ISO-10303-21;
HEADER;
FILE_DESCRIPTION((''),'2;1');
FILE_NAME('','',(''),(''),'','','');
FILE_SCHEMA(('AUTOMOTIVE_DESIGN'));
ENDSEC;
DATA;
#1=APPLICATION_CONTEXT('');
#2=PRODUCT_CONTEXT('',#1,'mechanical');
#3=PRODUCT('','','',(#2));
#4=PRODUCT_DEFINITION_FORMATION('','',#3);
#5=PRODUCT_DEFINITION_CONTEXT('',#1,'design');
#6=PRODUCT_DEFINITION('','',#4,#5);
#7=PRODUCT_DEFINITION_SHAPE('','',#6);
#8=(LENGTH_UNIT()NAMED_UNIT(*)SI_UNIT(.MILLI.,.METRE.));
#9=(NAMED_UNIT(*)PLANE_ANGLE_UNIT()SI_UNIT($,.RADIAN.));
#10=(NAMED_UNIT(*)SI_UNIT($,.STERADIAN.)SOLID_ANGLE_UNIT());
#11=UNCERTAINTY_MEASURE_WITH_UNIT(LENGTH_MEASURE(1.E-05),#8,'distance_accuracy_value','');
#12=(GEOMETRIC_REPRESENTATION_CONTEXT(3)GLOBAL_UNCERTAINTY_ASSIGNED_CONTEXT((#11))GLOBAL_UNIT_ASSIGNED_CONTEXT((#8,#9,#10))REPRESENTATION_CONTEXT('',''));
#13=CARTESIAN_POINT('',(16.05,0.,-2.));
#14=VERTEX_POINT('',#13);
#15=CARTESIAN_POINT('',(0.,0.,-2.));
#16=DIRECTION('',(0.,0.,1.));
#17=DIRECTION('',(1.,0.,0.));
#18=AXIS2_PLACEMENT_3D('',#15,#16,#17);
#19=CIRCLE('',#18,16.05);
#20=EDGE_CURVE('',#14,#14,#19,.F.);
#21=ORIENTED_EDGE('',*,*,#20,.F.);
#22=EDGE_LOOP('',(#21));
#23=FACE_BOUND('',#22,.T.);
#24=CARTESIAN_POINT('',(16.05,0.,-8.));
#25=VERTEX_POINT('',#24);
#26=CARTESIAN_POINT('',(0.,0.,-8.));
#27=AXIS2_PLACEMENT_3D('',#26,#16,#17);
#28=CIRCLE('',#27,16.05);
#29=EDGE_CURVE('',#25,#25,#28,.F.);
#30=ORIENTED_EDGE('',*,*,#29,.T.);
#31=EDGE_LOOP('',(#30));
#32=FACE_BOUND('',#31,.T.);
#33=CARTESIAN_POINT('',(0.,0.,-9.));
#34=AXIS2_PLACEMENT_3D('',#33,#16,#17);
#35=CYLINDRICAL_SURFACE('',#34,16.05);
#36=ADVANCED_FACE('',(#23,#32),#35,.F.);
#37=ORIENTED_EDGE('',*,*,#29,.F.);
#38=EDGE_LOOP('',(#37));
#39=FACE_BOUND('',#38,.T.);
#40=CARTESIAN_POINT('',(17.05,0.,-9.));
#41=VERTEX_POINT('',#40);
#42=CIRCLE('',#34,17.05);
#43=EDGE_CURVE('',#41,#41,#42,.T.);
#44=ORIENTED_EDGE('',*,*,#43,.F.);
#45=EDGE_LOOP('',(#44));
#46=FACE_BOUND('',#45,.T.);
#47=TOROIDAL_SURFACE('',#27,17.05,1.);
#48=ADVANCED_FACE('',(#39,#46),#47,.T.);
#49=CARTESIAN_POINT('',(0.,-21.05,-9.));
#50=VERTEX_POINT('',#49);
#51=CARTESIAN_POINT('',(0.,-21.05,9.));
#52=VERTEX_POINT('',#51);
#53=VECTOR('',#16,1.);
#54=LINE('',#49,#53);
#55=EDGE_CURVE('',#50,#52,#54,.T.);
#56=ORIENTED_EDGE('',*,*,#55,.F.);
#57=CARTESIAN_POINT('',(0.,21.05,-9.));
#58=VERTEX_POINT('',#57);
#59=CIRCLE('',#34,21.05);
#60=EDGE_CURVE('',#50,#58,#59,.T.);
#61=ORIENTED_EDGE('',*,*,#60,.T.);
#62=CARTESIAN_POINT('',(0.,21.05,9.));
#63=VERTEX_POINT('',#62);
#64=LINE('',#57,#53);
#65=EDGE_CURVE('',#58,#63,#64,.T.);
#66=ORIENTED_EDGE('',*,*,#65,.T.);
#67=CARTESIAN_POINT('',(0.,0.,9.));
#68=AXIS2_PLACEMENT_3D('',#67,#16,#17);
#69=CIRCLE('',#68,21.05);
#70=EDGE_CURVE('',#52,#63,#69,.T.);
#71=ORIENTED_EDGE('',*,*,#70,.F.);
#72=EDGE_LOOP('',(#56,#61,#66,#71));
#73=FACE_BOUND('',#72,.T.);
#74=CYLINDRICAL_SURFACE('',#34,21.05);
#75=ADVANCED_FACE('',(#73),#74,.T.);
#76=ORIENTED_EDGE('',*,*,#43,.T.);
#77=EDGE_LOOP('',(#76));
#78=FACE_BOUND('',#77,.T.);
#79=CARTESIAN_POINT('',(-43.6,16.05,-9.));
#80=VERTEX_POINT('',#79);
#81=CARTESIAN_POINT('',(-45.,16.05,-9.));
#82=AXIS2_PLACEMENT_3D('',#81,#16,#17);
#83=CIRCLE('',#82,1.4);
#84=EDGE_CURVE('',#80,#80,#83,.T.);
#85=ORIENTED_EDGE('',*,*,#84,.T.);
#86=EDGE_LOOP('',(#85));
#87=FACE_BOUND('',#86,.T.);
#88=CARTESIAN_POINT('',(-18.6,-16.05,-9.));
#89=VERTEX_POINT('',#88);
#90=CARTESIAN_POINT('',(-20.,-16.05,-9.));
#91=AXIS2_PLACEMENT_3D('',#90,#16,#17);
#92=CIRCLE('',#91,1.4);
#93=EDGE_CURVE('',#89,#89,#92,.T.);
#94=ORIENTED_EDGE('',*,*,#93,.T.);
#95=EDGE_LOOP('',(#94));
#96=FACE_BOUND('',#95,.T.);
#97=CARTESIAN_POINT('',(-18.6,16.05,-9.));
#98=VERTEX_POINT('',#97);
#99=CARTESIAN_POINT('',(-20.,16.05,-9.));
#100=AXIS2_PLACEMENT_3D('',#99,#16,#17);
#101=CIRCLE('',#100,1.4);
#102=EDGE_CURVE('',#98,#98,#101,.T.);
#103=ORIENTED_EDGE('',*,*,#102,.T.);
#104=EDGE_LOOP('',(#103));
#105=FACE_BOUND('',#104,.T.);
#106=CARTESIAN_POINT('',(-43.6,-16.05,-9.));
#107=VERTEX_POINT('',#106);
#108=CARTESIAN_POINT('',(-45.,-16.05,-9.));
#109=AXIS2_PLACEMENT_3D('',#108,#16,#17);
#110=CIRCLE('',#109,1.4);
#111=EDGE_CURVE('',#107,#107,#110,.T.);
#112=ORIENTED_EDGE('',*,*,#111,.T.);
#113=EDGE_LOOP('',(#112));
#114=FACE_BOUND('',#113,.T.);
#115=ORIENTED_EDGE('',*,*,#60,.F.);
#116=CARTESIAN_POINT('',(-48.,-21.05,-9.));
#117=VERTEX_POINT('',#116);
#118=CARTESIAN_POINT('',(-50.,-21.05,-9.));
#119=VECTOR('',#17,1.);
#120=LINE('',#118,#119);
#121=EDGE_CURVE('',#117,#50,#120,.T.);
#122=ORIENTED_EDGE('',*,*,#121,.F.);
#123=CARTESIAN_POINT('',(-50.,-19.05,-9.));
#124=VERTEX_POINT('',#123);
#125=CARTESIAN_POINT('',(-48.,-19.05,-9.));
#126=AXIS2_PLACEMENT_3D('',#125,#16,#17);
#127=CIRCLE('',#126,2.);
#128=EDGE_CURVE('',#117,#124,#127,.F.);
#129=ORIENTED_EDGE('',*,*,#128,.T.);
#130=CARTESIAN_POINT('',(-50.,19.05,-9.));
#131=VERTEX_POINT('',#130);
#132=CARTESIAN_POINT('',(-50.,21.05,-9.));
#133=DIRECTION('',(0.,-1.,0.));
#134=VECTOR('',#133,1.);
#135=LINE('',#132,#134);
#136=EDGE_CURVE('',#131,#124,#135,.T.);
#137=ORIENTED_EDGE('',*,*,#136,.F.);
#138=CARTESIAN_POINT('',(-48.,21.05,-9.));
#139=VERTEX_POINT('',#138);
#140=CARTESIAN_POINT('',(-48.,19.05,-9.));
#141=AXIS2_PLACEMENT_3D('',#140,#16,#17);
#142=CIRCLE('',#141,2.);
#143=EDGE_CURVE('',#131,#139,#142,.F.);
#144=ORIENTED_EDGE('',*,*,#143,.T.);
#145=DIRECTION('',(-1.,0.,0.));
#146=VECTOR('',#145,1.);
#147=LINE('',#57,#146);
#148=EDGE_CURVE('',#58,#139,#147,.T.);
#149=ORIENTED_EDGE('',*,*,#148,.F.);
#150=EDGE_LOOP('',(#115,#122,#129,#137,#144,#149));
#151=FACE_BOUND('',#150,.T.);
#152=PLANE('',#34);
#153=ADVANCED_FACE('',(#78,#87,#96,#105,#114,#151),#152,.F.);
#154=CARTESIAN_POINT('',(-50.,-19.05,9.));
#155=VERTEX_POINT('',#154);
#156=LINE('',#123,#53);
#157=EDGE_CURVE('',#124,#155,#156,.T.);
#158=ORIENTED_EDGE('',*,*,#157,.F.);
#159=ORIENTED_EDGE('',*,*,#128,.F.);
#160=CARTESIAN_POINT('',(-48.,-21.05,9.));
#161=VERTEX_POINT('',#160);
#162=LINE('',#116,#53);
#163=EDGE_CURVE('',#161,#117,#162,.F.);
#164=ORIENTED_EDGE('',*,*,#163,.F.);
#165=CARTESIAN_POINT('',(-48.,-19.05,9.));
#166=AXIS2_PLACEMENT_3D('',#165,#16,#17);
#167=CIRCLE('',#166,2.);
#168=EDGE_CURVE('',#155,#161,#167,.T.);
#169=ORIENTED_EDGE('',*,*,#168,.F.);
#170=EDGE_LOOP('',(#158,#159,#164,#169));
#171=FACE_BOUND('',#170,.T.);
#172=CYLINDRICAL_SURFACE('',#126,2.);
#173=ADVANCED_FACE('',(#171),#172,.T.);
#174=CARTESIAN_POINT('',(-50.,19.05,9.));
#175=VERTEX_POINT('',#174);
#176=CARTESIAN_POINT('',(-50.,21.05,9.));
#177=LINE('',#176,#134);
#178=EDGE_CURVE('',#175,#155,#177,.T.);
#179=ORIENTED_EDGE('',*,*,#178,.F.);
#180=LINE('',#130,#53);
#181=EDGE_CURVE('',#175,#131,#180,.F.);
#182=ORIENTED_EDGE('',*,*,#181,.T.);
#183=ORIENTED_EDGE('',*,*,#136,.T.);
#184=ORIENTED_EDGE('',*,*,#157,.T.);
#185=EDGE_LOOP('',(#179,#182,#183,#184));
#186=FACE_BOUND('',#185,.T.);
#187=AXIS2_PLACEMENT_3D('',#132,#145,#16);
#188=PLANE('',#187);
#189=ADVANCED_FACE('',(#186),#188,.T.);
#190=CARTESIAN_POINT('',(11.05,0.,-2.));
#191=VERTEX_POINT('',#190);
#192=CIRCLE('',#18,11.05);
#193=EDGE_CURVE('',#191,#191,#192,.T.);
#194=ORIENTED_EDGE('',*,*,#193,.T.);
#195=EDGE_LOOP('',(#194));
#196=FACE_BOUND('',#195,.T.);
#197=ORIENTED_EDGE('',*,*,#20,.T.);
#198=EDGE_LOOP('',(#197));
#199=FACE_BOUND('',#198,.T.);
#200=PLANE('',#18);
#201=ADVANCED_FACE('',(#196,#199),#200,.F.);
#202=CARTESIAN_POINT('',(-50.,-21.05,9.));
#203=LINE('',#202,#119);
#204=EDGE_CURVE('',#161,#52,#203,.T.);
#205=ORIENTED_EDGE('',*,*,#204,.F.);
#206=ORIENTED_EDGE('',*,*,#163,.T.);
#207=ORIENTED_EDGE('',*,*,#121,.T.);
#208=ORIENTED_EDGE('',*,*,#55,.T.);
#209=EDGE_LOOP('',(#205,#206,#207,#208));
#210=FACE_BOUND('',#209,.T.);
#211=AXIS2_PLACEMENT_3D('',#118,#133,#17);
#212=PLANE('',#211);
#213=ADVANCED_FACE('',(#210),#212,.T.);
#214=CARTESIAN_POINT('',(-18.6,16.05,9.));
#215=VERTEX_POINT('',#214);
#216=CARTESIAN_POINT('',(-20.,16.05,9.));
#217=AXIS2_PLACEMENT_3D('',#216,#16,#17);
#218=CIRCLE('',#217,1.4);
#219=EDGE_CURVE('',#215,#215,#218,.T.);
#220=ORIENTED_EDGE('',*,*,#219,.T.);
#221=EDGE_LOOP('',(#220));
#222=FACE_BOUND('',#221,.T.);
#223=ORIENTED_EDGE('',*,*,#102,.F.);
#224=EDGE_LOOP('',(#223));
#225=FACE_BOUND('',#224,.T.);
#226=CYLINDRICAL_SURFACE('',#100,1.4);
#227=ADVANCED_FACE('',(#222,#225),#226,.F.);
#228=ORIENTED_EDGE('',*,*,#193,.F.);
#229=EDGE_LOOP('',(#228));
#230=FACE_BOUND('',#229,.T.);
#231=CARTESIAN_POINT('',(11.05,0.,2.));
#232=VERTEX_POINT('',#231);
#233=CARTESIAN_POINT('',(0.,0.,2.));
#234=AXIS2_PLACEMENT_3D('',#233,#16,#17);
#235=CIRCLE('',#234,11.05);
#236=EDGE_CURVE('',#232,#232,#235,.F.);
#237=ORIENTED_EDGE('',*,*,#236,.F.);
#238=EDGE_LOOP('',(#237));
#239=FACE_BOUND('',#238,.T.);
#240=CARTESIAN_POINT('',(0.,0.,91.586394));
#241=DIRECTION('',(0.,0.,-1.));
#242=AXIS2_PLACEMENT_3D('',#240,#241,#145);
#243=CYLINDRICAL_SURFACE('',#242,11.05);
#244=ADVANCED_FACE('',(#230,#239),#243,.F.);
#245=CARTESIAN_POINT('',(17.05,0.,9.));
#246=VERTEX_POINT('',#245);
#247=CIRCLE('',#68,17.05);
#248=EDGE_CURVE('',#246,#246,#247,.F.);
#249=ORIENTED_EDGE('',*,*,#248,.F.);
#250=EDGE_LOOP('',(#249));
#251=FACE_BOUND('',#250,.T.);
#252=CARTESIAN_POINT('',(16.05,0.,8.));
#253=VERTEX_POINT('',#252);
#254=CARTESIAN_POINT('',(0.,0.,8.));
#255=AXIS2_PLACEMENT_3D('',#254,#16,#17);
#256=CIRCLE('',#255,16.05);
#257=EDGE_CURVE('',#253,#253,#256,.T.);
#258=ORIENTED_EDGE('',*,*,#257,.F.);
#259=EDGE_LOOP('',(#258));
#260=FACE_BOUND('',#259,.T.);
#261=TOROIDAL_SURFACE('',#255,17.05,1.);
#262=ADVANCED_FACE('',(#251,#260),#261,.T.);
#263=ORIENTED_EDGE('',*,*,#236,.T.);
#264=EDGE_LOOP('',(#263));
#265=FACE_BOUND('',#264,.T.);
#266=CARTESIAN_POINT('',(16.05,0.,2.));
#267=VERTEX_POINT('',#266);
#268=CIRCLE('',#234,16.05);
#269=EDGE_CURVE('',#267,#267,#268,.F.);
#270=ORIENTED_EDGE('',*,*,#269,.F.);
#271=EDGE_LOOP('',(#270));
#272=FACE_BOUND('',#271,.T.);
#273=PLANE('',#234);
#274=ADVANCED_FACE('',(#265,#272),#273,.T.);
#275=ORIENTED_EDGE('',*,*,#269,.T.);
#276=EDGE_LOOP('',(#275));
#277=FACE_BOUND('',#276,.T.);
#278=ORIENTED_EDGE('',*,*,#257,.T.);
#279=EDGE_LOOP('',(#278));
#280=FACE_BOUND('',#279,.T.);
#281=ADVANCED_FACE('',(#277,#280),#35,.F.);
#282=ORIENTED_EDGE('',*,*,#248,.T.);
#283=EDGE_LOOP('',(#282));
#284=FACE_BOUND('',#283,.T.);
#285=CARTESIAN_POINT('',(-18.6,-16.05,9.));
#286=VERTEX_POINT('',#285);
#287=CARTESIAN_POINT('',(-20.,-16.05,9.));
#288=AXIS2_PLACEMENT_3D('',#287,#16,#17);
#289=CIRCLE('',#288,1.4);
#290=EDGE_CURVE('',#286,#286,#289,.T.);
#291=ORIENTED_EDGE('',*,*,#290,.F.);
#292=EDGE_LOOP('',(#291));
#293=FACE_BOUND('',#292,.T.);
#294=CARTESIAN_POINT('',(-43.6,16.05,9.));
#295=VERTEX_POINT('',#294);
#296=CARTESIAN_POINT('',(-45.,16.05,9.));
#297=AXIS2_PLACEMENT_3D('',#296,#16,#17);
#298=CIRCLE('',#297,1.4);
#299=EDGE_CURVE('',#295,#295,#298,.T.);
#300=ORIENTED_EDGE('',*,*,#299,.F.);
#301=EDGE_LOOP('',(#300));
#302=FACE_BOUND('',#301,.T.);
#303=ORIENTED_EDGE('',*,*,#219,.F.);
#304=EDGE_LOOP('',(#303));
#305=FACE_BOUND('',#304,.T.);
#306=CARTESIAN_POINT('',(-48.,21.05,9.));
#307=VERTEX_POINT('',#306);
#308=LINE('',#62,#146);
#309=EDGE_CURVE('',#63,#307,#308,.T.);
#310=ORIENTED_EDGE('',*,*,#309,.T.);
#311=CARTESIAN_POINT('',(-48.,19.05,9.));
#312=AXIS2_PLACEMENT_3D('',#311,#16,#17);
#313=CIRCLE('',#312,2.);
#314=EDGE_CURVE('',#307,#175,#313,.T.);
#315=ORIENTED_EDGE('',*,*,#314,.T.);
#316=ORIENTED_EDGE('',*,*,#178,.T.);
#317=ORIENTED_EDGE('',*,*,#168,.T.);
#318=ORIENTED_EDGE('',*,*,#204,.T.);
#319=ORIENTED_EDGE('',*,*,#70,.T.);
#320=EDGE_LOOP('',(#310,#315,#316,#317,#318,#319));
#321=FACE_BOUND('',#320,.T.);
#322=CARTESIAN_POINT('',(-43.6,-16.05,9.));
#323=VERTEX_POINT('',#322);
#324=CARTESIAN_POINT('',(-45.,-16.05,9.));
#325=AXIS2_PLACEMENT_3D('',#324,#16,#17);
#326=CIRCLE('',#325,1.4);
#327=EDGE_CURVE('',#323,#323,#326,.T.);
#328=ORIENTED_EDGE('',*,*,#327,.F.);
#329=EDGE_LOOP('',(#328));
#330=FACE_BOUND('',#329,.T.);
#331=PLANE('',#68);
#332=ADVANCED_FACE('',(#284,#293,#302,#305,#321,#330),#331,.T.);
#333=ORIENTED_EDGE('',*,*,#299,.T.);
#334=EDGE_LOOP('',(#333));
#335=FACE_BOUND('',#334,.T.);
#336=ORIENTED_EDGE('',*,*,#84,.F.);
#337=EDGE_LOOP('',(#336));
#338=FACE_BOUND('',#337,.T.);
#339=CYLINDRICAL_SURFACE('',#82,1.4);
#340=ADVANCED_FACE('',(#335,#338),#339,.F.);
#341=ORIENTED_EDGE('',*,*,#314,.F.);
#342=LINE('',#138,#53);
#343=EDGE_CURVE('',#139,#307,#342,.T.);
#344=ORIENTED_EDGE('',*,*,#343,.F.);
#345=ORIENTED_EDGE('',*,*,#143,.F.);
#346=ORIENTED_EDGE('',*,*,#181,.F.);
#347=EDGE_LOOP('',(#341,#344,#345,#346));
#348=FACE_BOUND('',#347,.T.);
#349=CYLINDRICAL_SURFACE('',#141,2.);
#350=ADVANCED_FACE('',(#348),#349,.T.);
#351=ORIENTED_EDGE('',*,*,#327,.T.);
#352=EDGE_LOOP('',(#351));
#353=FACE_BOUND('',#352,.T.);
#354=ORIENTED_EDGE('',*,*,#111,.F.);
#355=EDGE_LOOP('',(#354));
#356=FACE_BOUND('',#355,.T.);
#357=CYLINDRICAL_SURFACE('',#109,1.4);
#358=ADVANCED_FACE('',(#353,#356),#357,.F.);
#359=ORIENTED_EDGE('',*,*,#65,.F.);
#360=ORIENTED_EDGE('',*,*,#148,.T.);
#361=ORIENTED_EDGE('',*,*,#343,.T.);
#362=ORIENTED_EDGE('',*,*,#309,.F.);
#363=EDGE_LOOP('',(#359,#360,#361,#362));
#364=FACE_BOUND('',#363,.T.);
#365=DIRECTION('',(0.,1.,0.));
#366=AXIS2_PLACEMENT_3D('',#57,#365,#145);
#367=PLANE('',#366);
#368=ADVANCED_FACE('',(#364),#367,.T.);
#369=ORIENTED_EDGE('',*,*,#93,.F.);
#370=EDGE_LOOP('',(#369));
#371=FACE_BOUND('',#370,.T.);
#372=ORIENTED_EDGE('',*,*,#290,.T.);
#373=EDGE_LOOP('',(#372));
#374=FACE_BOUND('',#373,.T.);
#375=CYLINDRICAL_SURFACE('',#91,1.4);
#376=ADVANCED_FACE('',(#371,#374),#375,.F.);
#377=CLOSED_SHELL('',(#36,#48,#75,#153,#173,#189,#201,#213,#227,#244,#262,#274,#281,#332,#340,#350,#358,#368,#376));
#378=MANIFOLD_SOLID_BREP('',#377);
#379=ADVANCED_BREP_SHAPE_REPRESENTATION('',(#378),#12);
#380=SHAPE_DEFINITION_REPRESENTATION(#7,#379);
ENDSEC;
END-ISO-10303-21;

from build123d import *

# Parameters (mm, degrees)
BOSS_EXTRUDE1_DEPTH      = 9
BOSS_EXTRUDE1_DEPTH_BACK = 9
SKETCH1_R                = 16.05
BOSS_EXTRUDE2_DEPTH      = 2
BOSS_EXTRUDE2_DEPTH_BACK = 2
SKETCH2_R                = 11.05
SKETCH3_R                = 1.4
CUT_EXTRUDE1_DEPTH       = 58.158573285
FILLET1_R                = 2
FILLET2_R                = 1


with BuildPart() as part:
    # Sketch1 → Boss-Extrude1 (new, two sides: drawn at the far end of the back side and taken through both)
    with BuildSketch(Plane.XY.offset(-BOSS_EXTRUDE1_DEPTH_BACK)):
        with BuildLine():
            Line((0, 21.05), (-50, 21.05))
            Line((-50, 21.05), (-50, -21.05))
            Line((-50, -21.05), (0, -21.05))
            ThreePointArc((0, -21.05), (21.05, 0), (0, 21.05))
        make_face()
        Circle(SKETCH1_R, mode=Mode.SUBTRACT)
    extrude(amount=BOSS_EXTRUDE1_DEPTH + BOSS_EXTRUDE1_DEPTH_BACK)

    # Sketch2 → Boss-Extrude2 (add, two sides: drawn at the far end of the back side and taken through both)
    with BuildSketch(Plane(origin=(0, 0, 0), x_dir=(-1, 0, 0), z_dir=(0, 0, -1)).offset(-BOSS_EXTRUDE2_DEPTH_BACK)):
        with BuildLine():
            Line((0, -21.05), (50, -21.05))
            Line((50, -21.05), (50, 21.05))
            Line((50, 21.05), (0, 21.05))
            ThreePointArc((0, 21.05), (-21.05, 0), (0, -21.05))
        make_face()
        with Locations(Location((0, 0, 0), (0, 0, 180))):
            Circle(SKETCH2_R, mode=Mode.SUBTRACT)
    extrude(amount=BOSS_EXTRUDE2_DEPTH + BOSS_EXTRUDE2_DEPTH_BACK)

    # Sketch3 → Cut-Extrude1 (cut, through all)
    with BuildSketch(Plane.XY.offset(9)):
        with Locations((-45, 16.05)):
            Circle(SKETCH3_R)
        with Locations((-20, 16.05)):
            Circle(SKETCH3_R)
        with Locations((-20, -16.05)):
            Circle(SKETCH3_R)
        with Locations((-45, -16.05)):
            Circle(SKETCH3_R)
    extrude(amount=-CUT_EXTRUDE1_DEPTH, mode=Mode.SUBTRACT)

    # Fillet1
    fillet1_edges = [part.edges().sort_by_distance(p)[0] for p in [
        (-50, -21.05, 0),
        (-50, 21.05, 0),
    ]]
    fillet(fillet1_edges, radius=FILLET1_R)

    # Fillet2
    fillet2_edges = [part.edges().sort_by_distance(p)[0] for p in [
        (-16.05, 0, -9),
        (-16.05, 0, 9),
    ]]
    fillet(fillet2_edges, radius=FILLET2_R)


solid = part.part
